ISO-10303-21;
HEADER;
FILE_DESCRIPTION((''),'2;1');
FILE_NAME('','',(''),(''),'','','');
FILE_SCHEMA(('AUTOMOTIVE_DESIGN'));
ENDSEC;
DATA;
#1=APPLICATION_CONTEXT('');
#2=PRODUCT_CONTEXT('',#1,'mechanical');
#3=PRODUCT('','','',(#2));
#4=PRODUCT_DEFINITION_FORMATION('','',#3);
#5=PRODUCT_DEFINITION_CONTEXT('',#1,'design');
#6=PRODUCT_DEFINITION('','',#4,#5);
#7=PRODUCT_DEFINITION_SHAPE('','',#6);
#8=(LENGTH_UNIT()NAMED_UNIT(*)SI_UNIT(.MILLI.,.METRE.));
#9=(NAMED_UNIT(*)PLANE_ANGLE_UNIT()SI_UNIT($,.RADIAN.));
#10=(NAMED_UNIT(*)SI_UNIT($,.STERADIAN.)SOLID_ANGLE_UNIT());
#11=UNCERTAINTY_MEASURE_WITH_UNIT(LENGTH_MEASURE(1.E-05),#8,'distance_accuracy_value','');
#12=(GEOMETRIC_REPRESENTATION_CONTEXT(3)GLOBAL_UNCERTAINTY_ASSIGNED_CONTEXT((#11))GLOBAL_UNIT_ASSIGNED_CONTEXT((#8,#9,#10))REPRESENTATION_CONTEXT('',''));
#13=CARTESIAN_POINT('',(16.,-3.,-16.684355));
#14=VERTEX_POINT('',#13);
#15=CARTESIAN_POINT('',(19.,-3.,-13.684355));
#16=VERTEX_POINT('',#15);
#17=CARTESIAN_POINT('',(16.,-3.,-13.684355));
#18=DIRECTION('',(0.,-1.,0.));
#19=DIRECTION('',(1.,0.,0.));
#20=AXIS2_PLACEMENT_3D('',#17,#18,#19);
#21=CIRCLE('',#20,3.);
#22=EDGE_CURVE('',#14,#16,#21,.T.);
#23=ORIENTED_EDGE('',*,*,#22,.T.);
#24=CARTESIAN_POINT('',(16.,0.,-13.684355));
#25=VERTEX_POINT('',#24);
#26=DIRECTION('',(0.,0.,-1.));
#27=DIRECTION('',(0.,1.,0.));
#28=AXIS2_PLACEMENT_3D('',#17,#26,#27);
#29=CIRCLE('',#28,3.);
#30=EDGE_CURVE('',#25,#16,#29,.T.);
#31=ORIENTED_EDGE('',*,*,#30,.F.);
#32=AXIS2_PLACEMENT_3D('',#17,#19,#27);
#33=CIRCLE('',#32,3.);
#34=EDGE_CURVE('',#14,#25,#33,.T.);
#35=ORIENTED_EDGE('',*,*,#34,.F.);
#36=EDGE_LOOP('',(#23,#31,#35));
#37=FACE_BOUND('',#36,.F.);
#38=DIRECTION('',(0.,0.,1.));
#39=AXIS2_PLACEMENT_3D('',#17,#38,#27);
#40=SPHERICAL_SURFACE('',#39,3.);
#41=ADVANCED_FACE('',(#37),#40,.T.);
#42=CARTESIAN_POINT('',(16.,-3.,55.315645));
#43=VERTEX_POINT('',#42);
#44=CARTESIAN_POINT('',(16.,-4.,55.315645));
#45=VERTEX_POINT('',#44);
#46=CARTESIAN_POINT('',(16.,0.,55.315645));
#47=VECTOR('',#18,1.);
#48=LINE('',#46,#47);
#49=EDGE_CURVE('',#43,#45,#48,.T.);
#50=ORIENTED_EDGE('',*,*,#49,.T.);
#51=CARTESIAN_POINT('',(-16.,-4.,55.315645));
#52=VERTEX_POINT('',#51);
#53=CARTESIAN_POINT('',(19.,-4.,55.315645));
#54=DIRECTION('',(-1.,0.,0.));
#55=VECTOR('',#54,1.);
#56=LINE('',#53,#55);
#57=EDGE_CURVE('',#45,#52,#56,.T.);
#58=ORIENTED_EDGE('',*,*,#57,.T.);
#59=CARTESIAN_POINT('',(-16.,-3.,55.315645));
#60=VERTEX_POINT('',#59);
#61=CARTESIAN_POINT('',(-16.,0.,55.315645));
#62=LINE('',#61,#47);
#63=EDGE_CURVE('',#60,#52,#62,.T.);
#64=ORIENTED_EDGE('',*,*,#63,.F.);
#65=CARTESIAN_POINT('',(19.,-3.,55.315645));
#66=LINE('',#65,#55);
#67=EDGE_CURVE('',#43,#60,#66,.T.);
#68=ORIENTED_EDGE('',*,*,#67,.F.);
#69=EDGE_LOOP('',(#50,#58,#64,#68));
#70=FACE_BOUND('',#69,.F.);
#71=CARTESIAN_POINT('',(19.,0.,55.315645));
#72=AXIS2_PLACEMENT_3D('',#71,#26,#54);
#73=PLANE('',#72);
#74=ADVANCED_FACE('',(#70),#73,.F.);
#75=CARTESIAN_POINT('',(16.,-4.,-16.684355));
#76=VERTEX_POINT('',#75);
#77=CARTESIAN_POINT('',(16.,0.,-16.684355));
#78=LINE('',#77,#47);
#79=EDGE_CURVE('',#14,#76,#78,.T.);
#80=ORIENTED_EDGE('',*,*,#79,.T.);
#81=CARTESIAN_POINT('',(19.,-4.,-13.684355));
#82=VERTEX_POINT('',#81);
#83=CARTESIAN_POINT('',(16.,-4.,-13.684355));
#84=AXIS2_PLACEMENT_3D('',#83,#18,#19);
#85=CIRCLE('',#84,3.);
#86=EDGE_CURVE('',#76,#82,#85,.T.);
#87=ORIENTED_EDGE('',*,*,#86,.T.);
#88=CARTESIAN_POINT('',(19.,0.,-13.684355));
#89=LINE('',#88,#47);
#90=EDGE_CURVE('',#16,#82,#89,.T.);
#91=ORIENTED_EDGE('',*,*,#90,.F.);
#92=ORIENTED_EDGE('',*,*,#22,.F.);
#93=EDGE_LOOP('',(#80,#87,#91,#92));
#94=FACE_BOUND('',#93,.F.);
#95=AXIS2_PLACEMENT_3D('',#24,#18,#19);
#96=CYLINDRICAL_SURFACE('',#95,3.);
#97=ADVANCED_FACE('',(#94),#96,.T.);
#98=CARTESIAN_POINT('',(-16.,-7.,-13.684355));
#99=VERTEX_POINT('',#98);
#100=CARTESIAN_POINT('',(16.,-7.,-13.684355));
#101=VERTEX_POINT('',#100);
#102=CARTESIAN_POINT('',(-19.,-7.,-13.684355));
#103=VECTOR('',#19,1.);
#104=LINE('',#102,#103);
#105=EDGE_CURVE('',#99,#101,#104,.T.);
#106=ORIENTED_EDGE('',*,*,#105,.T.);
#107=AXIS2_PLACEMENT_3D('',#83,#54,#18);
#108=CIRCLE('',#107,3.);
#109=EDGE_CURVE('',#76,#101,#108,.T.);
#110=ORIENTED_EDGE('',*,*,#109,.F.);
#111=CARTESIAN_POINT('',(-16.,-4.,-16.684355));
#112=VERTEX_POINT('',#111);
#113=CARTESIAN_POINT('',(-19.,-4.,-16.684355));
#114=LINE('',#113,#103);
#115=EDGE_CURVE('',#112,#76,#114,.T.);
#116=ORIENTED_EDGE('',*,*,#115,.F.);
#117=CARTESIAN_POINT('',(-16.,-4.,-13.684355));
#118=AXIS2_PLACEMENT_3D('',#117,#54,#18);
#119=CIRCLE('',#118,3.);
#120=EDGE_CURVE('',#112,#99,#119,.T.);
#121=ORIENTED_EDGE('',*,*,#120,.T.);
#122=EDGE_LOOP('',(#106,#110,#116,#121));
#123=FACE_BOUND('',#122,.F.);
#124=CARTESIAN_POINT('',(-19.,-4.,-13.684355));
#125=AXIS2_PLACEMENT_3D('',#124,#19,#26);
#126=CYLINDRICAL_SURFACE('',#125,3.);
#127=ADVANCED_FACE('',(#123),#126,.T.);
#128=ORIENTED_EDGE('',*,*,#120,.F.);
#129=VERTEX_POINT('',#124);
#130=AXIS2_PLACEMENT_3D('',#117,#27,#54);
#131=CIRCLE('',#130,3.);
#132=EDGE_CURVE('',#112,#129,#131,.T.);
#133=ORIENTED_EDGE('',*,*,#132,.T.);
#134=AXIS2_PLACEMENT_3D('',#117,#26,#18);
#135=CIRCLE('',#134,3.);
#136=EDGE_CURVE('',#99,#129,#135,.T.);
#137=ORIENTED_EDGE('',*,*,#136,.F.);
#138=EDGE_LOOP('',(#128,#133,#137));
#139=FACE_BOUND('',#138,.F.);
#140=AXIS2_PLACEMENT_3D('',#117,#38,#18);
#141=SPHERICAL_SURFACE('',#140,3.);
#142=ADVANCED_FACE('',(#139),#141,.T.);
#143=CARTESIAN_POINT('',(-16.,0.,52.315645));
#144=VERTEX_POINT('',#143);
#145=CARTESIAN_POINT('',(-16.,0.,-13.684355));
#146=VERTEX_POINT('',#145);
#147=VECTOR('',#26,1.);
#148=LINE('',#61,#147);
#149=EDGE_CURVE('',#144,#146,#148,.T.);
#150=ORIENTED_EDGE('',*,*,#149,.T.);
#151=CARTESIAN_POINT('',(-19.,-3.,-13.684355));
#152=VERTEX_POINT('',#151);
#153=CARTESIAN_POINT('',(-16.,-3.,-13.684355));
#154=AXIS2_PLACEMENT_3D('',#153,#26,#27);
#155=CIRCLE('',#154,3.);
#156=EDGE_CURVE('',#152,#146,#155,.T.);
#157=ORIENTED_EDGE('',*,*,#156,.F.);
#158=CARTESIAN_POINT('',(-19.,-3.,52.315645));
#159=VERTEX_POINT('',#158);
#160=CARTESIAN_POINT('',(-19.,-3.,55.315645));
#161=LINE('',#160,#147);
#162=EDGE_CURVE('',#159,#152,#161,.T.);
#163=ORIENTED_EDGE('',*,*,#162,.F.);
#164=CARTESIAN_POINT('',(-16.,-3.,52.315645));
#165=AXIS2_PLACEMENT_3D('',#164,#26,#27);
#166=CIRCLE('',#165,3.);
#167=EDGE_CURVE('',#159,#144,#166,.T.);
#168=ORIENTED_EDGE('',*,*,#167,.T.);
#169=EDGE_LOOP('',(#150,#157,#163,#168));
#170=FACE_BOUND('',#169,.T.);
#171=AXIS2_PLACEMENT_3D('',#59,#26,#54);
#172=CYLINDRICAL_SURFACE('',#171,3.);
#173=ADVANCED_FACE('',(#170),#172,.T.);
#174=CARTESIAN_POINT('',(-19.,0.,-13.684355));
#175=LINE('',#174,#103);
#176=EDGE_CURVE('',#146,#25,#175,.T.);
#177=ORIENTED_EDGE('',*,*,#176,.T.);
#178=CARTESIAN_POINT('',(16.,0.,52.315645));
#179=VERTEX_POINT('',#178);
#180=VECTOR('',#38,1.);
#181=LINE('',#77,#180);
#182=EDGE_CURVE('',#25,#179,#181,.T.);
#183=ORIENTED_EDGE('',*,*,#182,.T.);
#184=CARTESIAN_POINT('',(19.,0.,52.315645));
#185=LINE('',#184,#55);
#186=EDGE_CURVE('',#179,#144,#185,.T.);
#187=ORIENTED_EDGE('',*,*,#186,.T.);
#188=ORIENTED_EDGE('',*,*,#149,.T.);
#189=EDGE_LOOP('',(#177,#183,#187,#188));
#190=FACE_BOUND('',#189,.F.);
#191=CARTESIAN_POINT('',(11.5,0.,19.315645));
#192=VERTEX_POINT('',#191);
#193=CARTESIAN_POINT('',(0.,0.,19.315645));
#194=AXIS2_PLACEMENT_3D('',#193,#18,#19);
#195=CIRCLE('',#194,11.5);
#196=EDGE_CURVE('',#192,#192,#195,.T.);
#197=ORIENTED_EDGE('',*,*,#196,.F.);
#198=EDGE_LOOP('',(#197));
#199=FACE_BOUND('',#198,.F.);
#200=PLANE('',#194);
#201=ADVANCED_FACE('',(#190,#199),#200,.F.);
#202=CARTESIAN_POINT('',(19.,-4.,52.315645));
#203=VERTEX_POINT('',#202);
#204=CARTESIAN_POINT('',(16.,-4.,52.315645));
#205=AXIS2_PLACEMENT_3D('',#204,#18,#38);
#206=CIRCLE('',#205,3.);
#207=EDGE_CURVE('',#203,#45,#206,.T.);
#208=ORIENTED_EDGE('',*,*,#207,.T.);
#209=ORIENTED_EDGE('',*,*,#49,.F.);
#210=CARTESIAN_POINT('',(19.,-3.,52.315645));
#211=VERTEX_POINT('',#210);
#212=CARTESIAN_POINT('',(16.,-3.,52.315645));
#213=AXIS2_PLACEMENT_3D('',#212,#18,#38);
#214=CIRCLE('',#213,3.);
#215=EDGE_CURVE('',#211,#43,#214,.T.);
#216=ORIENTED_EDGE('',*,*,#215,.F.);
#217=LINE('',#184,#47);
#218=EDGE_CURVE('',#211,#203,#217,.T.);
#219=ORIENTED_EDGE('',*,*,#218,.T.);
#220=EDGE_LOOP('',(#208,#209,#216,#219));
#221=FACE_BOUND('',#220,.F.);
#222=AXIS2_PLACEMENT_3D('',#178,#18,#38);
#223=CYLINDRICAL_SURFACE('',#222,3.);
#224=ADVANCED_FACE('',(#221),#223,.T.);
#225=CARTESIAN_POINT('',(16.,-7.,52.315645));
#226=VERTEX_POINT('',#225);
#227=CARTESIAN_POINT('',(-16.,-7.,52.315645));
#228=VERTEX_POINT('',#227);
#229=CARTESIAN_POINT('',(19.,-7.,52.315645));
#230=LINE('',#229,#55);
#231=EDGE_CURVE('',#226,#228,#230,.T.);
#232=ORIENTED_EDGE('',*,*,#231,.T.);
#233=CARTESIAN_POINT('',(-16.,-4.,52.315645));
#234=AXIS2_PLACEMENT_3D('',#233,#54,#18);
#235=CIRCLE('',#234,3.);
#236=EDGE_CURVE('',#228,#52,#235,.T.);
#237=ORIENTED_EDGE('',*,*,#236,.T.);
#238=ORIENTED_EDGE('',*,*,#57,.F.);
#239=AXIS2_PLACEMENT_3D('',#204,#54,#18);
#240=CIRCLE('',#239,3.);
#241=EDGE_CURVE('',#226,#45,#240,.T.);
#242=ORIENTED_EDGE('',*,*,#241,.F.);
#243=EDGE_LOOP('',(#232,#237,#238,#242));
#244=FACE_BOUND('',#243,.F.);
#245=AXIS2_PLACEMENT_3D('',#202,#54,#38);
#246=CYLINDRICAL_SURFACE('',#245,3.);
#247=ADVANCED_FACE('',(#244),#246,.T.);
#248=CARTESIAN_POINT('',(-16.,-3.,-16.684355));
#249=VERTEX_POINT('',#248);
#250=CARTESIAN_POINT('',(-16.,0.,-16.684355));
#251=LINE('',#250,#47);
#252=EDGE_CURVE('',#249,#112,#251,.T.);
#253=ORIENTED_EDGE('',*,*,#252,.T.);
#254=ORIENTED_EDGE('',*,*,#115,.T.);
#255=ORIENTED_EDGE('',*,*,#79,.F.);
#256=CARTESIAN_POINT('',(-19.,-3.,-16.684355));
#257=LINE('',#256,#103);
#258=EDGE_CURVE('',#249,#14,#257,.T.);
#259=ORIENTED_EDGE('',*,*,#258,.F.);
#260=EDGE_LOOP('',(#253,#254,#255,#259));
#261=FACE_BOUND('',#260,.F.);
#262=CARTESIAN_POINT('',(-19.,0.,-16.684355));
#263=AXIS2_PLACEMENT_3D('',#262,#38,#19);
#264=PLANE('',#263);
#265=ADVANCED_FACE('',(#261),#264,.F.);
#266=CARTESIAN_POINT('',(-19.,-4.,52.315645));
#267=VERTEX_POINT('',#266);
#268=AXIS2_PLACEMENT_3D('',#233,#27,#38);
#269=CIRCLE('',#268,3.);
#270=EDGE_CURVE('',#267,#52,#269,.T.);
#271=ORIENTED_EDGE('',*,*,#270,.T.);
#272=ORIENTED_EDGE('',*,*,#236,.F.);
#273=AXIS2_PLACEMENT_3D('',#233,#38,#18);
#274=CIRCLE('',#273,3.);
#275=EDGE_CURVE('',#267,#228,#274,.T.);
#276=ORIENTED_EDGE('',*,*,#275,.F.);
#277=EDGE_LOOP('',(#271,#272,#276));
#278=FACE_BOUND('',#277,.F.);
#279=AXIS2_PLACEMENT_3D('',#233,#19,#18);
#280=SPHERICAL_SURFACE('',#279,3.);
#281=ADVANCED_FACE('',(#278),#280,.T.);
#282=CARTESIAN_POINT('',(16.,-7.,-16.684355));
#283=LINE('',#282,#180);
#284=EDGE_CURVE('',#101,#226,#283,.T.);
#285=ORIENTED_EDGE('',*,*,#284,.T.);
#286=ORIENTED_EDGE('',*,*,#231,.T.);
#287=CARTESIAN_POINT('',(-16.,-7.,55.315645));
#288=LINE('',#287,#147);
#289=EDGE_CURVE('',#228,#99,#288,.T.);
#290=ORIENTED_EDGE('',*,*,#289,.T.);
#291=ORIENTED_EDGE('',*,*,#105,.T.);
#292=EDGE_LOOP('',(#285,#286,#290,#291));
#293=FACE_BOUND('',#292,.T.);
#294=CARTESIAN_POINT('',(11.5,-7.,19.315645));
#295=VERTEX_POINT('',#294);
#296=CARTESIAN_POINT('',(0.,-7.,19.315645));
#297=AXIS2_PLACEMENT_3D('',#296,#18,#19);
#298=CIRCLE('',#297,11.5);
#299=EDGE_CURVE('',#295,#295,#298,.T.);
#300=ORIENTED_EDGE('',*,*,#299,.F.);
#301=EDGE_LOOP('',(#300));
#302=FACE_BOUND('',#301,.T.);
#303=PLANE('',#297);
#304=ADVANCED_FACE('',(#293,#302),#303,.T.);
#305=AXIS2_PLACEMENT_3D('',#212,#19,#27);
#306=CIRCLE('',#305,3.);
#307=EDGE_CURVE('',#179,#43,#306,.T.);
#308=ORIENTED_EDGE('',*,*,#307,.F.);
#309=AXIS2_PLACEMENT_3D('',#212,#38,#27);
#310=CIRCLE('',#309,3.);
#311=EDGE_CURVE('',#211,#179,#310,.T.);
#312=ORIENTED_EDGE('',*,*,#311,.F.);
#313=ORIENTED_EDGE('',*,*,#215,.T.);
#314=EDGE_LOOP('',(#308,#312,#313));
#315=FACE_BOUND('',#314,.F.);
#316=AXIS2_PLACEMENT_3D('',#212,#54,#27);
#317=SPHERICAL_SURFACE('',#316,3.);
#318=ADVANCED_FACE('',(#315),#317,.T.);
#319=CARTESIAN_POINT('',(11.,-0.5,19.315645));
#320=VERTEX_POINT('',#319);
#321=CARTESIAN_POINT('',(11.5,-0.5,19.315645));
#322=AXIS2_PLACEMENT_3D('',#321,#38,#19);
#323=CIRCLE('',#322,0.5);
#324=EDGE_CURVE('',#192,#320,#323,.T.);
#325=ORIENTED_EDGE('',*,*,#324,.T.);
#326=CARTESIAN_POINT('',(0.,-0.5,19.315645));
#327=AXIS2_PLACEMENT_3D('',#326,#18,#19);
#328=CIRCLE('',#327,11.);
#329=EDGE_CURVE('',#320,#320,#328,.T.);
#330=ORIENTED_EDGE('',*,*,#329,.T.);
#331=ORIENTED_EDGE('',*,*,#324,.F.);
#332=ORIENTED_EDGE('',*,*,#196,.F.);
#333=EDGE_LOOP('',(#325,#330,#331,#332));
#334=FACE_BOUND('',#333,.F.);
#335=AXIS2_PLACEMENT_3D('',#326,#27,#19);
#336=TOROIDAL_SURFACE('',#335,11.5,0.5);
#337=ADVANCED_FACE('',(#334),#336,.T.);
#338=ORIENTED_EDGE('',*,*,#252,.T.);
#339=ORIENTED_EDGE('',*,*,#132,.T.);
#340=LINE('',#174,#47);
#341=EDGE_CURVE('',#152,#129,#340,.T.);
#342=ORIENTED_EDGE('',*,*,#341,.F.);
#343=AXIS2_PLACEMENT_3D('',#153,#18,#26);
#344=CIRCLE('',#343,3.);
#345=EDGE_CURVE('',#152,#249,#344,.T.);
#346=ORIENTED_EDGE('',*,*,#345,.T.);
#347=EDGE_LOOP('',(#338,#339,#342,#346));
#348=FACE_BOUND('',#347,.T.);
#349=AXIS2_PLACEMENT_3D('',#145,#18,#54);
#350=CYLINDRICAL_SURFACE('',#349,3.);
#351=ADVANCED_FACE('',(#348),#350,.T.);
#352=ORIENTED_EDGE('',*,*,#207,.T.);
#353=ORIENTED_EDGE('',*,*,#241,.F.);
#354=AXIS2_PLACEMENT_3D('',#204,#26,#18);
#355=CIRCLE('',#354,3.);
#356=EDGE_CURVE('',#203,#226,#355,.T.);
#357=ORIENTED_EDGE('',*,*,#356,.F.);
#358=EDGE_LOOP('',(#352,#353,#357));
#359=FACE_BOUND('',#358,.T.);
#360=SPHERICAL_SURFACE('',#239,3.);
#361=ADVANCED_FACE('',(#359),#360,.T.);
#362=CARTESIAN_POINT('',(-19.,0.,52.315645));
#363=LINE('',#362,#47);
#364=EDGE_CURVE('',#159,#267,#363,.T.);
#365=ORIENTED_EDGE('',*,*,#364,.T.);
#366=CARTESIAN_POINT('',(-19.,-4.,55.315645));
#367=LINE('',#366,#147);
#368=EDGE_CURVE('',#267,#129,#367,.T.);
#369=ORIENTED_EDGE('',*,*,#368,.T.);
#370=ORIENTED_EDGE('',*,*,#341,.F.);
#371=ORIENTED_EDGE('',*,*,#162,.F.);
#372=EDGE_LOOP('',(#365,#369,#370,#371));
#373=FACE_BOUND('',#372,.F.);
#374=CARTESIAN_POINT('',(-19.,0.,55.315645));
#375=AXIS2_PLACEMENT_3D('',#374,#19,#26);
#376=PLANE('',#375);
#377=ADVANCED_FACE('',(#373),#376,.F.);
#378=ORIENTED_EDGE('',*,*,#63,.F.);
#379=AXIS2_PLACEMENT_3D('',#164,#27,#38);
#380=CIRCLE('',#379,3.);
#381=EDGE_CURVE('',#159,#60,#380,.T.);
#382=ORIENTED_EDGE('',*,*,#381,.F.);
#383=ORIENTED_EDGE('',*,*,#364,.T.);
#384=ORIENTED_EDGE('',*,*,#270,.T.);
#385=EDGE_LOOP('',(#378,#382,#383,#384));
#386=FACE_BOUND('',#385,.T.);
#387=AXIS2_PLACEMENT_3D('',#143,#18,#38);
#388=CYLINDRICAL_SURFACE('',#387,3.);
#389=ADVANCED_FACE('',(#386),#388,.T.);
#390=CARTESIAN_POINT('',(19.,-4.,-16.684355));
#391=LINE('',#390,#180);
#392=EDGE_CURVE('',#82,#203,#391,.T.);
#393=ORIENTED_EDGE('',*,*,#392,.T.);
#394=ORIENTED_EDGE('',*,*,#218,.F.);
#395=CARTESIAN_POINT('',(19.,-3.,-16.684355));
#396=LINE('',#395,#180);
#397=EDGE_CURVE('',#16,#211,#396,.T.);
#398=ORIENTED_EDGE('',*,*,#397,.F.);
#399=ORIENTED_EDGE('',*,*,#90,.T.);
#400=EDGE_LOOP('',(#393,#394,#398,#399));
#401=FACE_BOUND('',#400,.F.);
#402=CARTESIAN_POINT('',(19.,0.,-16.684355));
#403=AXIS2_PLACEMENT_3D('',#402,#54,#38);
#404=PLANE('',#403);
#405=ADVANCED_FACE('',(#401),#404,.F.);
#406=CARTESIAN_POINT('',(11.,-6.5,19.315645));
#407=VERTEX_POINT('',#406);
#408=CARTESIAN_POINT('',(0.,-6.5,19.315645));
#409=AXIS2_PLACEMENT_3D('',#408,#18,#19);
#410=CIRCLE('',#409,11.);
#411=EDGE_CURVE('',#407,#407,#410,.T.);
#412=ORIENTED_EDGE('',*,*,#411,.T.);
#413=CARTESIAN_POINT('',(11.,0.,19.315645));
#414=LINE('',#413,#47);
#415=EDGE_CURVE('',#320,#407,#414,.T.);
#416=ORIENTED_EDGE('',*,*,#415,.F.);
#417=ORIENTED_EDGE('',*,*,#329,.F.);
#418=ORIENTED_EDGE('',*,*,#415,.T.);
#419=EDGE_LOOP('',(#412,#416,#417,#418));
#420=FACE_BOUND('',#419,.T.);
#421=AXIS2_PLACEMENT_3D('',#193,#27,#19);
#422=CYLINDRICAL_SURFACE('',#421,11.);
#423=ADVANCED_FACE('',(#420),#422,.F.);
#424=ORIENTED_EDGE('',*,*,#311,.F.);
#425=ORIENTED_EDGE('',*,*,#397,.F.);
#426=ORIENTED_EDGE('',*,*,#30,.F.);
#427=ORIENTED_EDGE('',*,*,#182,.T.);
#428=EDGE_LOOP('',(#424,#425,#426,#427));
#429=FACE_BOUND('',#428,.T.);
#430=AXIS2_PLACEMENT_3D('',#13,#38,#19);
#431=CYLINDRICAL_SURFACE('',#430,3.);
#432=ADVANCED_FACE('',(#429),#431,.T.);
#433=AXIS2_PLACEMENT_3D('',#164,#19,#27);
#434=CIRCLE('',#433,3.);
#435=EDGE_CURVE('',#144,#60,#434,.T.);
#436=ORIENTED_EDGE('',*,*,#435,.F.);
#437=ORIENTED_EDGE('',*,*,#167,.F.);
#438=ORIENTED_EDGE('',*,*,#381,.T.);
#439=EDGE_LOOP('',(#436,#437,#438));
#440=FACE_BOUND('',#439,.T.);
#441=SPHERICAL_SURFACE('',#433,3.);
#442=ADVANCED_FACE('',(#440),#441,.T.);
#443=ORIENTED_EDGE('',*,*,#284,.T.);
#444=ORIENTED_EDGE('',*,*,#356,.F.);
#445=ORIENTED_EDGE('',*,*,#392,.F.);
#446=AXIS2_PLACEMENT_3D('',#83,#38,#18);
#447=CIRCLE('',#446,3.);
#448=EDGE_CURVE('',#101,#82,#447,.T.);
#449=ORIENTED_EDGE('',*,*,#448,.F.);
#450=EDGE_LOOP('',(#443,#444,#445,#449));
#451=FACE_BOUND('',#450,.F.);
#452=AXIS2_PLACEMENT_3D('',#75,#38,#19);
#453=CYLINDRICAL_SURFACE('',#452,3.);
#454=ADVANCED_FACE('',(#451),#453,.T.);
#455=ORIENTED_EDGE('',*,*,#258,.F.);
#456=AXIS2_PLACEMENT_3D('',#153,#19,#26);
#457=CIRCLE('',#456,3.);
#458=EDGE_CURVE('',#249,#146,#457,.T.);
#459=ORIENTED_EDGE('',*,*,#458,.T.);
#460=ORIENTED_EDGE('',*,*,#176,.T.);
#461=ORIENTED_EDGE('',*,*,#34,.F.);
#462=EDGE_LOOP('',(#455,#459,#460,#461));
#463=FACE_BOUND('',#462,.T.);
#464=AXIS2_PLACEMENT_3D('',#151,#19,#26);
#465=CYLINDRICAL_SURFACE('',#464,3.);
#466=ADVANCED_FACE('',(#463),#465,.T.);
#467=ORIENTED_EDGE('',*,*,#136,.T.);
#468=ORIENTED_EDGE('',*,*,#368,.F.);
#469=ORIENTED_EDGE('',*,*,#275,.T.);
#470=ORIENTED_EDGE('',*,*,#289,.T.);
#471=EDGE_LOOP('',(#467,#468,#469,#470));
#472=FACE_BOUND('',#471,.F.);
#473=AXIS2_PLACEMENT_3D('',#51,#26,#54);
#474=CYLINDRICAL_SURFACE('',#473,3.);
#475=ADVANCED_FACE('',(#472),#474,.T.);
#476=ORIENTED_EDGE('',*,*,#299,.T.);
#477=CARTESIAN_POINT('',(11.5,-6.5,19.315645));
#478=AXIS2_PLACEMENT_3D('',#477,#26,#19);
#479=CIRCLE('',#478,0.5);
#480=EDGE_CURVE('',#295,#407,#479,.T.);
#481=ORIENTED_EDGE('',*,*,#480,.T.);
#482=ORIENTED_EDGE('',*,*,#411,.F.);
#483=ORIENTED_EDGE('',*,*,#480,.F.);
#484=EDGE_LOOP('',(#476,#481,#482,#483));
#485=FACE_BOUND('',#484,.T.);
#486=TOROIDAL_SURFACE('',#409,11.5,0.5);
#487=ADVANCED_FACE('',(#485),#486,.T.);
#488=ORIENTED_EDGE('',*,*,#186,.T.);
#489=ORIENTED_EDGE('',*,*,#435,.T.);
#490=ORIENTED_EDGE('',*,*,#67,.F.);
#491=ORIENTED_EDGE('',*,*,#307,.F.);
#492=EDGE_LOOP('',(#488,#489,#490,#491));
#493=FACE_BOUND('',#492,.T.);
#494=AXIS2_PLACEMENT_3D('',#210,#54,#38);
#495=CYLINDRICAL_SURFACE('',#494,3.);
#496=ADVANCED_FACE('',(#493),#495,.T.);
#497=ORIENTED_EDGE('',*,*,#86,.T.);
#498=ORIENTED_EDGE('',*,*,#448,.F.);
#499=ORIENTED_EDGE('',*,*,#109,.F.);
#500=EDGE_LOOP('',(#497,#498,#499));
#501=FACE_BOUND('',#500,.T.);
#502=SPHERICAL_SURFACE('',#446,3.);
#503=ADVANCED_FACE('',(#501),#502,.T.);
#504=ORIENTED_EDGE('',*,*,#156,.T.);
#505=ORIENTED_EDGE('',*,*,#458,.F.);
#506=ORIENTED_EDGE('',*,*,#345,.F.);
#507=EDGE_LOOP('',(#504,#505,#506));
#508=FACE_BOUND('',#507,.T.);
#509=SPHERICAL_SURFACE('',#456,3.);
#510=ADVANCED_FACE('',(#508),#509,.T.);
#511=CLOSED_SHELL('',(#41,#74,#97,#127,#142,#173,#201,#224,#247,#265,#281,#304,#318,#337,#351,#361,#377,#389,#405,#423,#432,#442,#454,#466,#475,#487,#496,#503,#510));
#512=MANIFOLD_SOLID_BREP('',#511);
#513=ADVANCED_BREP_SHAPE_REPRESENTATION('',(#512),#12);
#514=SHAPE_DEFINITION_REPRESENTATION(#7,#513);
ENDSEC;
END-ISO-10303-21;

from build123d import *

# Parameters (mm, degrees)
F0_R     = 11
F1_DEPTH = 7
F2_R     = 3
F3_R     = 0.5


with BuildPart() as f1:
    # F0 (on Front) → F1 (new body)
    with BuildSketch(Plane.XZ):
        Polygon((19, 55.315645), (0, 55.315645), (-19, 55.315645), (-19, -16.684355), (0, -16.684355), (19, -16.684355), align=None)
        with Locations((0, 19.315645)):
            Circle(F0_R, mode=Mode.SUBTRACT)
    extrude(amount=F1_DEPTH)

    # F2
    f2_edges = [f1.edges().sort_by_distance(p)[0] for p in [
        (0, -7, 55.315645),
        (0, 0, 55.315645),
        (19, 0, 19.315645),
        (-19, -7, 19.315645),
        (19, -7, 19.315645),
        (0, -7, -16.684355),
        (0, 0, -16.684355),
        (19, -3.5, -16.684355),
        (-19, -3.5, -16.684355),
        (-19, 0, 19.315645),
        (-19, -3.5, 55.315645),
        (19, -3.5, 55.315645),
    ]]
    fillet(f2_edges, radius=F2_R)

    # F3
    f3_edges = [f1.edges().sort_by_distance(p)[0] for p in [
        (-11, -7, 19.315645),
        (-11, 0, 19.315645),
    ]]
    fillet(f3_edges, radius=F3_R)


solid = f1.part
